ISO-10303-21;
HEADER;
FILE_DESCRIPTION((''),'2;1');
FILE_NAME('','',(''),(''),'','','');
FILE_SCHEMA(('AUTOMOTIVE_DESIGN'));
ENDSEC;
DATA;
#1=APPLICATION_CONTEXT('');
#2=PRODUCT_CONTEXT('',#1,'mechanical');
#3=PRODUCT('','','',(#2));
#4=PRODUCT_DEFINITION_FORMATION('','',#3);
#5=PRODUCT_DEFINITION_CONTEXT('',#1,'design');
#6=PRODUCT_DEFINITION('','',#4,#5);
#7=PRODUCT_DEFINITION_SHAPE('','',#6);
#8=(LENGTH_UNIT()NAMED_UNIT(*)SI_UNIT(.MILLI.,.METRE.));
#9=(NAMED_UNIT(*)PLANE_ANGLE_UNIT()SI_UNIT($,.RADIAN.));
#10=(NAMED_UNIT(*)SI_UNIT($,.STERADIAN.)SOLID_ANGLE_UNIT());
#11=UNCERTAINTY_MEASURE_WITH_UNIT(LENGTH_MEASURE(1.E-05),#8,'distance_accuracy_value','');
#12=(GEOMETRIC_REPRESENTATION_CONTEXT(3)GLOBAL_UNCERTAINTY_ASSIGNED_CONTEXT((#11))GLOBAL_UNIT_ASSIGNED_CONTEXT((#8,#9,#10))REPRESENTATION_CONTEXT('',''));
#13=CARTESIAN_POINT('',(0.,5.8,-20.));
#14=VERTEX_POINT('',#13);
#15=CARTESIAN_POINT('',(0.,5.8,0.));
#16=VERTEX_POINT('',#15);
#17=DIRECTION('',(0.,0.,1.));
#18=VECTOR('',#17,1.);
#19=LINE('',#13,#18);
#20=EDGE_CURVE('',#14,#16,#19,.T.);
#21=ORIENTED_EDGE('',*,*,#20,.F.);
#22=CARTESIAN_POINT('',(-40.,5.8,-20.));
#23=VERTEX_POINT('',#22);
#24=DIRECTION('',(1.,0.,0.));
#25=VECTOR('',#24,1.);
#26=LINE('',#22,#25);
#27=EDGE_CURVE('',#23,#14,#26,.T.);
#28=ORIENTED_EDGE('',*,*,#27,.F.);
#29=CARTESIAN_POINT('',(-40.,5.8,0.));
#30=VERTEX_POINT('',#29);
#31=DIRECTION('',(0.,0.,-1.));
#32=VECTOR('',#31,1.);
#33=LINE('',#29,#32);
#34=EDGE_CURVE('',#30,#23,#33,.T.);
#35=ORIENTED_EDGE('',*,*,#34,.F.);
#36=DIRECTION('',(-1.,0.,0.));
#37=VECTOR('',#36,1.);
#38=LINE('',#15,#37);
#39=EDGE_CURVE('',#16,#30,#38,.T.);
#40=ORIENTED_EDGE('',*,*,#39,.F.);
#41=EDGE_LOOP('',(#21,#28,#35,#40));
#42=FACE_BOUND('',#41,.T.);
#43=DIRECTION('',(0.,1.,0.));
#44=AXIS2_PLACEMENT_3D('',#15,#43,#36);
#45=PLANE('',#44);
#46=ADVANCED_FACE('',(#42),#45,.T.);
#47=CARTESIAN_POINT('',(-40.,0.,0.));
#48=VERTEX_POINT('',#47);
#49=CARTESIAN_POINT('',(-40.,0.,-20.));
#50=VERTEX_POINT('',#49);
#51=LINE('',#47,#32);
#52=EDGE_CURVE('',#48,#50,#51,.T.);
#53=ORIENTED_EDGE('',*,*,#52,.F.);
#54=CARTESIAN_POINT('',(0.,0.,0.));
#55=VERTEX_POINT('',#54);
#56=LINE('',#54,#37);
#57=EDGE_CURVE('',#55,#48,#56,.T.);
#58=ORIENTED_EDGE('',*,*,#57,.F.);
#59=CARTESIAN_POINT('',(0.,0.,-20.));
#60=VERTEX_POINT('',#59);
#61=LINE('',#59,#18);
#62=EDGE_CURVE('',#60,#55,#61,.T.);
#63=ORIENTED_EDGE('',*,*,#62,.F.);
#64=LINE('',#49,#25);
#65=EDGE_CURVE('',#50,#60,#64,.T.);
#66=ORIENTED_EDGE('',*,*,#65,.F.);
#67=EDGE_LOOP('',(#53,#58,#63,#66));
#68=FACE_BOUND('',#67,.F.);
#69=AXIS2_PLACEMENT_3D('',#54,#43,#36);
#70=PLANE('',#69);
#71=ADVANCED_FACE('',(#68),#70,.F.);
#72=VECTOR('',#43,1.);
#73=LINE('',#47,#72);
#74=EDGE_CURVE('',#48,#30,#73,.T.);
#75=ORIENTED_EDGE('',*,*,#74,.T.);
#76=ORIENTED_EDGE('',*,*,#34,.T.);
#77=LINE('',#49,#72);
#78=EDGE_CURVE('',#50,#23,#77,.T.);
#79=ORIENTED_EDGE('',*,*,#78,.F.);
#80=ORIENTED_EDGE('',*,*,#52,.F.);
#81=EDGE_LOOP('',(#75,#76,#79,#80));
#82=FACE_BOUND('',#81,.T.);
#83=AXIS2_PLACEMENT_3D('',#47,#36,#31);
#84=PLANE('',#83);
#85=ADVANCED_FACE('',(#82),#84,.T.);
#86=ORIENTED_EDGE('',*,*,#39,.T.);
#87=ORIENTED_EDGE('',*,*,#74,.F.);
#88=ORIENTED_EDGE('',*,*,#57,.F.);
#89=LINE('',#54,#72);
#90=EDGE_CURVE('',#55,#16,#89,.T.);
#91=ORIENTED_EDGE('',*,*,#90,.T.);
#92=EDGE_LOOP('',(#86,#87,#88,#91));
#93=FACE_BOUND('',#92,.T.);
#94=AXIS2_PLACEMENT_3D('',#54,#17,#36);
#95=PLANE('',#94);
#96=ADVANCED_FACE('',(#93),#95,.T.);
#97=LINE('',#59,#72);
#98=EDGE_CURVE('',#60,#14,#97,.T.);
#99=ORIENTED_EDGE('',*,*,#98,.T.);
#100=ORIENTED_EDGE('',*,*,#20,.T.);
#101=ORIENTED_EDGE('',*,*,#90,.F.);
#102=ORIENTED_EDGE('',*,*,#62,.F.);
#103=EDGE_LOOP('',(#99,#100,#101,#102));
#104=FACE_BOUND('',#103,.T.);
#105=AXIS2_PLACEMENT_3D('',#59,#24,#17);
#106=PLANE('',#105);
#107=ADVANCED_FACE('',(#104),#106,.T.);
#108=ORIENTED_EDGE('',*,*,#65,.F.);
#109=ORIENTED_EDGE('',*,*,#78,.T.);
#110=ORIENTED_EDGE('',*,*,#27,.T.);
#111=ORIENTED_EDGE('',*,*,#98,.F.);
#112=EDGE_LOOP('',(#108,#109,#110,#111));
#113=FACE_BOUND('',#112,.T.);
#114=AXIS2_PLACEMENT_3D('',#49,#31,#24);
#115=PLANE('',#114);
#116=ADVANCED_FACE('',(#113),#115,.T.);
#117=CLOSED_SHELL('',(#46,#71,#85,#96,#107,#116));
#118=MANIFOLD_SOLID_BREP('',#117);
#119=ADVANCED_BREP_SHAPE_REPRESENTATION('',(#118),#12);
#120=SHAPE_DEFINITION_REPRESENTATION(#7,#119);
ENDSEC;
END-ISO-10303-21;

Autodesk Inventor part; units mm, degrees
ref_plane "YZ Plane" through (0, 0, 0) normal (1, 0, 0) x (0, 1, 0)
ref_plane "XZ Plane" through (0, 0, 0) normal (0, 1, 0) x (-1, 0, 0)
ref_plane "XY Plane" through (0, 0, 0) normal (0, 0, 1) x (1, 0, 0)
sketch "Esquisse1" plane through (0, 0, 0) normal (0, 1, 0) x (-1, 0, 0)
  line L0 (0, 0) -> (40, 0)
  line L1 (40, 0) -> (40, -20)
  line L2 (40, -20) -> (0, -20)
  line L3 (0, -20) -> (0, 0)
  dimension "d0" = 20
  dimension "d1" = 40
extrude "Extrusion1" add sketch "Esquisse1" along normal blind 5.8
properties part number "speaker"
